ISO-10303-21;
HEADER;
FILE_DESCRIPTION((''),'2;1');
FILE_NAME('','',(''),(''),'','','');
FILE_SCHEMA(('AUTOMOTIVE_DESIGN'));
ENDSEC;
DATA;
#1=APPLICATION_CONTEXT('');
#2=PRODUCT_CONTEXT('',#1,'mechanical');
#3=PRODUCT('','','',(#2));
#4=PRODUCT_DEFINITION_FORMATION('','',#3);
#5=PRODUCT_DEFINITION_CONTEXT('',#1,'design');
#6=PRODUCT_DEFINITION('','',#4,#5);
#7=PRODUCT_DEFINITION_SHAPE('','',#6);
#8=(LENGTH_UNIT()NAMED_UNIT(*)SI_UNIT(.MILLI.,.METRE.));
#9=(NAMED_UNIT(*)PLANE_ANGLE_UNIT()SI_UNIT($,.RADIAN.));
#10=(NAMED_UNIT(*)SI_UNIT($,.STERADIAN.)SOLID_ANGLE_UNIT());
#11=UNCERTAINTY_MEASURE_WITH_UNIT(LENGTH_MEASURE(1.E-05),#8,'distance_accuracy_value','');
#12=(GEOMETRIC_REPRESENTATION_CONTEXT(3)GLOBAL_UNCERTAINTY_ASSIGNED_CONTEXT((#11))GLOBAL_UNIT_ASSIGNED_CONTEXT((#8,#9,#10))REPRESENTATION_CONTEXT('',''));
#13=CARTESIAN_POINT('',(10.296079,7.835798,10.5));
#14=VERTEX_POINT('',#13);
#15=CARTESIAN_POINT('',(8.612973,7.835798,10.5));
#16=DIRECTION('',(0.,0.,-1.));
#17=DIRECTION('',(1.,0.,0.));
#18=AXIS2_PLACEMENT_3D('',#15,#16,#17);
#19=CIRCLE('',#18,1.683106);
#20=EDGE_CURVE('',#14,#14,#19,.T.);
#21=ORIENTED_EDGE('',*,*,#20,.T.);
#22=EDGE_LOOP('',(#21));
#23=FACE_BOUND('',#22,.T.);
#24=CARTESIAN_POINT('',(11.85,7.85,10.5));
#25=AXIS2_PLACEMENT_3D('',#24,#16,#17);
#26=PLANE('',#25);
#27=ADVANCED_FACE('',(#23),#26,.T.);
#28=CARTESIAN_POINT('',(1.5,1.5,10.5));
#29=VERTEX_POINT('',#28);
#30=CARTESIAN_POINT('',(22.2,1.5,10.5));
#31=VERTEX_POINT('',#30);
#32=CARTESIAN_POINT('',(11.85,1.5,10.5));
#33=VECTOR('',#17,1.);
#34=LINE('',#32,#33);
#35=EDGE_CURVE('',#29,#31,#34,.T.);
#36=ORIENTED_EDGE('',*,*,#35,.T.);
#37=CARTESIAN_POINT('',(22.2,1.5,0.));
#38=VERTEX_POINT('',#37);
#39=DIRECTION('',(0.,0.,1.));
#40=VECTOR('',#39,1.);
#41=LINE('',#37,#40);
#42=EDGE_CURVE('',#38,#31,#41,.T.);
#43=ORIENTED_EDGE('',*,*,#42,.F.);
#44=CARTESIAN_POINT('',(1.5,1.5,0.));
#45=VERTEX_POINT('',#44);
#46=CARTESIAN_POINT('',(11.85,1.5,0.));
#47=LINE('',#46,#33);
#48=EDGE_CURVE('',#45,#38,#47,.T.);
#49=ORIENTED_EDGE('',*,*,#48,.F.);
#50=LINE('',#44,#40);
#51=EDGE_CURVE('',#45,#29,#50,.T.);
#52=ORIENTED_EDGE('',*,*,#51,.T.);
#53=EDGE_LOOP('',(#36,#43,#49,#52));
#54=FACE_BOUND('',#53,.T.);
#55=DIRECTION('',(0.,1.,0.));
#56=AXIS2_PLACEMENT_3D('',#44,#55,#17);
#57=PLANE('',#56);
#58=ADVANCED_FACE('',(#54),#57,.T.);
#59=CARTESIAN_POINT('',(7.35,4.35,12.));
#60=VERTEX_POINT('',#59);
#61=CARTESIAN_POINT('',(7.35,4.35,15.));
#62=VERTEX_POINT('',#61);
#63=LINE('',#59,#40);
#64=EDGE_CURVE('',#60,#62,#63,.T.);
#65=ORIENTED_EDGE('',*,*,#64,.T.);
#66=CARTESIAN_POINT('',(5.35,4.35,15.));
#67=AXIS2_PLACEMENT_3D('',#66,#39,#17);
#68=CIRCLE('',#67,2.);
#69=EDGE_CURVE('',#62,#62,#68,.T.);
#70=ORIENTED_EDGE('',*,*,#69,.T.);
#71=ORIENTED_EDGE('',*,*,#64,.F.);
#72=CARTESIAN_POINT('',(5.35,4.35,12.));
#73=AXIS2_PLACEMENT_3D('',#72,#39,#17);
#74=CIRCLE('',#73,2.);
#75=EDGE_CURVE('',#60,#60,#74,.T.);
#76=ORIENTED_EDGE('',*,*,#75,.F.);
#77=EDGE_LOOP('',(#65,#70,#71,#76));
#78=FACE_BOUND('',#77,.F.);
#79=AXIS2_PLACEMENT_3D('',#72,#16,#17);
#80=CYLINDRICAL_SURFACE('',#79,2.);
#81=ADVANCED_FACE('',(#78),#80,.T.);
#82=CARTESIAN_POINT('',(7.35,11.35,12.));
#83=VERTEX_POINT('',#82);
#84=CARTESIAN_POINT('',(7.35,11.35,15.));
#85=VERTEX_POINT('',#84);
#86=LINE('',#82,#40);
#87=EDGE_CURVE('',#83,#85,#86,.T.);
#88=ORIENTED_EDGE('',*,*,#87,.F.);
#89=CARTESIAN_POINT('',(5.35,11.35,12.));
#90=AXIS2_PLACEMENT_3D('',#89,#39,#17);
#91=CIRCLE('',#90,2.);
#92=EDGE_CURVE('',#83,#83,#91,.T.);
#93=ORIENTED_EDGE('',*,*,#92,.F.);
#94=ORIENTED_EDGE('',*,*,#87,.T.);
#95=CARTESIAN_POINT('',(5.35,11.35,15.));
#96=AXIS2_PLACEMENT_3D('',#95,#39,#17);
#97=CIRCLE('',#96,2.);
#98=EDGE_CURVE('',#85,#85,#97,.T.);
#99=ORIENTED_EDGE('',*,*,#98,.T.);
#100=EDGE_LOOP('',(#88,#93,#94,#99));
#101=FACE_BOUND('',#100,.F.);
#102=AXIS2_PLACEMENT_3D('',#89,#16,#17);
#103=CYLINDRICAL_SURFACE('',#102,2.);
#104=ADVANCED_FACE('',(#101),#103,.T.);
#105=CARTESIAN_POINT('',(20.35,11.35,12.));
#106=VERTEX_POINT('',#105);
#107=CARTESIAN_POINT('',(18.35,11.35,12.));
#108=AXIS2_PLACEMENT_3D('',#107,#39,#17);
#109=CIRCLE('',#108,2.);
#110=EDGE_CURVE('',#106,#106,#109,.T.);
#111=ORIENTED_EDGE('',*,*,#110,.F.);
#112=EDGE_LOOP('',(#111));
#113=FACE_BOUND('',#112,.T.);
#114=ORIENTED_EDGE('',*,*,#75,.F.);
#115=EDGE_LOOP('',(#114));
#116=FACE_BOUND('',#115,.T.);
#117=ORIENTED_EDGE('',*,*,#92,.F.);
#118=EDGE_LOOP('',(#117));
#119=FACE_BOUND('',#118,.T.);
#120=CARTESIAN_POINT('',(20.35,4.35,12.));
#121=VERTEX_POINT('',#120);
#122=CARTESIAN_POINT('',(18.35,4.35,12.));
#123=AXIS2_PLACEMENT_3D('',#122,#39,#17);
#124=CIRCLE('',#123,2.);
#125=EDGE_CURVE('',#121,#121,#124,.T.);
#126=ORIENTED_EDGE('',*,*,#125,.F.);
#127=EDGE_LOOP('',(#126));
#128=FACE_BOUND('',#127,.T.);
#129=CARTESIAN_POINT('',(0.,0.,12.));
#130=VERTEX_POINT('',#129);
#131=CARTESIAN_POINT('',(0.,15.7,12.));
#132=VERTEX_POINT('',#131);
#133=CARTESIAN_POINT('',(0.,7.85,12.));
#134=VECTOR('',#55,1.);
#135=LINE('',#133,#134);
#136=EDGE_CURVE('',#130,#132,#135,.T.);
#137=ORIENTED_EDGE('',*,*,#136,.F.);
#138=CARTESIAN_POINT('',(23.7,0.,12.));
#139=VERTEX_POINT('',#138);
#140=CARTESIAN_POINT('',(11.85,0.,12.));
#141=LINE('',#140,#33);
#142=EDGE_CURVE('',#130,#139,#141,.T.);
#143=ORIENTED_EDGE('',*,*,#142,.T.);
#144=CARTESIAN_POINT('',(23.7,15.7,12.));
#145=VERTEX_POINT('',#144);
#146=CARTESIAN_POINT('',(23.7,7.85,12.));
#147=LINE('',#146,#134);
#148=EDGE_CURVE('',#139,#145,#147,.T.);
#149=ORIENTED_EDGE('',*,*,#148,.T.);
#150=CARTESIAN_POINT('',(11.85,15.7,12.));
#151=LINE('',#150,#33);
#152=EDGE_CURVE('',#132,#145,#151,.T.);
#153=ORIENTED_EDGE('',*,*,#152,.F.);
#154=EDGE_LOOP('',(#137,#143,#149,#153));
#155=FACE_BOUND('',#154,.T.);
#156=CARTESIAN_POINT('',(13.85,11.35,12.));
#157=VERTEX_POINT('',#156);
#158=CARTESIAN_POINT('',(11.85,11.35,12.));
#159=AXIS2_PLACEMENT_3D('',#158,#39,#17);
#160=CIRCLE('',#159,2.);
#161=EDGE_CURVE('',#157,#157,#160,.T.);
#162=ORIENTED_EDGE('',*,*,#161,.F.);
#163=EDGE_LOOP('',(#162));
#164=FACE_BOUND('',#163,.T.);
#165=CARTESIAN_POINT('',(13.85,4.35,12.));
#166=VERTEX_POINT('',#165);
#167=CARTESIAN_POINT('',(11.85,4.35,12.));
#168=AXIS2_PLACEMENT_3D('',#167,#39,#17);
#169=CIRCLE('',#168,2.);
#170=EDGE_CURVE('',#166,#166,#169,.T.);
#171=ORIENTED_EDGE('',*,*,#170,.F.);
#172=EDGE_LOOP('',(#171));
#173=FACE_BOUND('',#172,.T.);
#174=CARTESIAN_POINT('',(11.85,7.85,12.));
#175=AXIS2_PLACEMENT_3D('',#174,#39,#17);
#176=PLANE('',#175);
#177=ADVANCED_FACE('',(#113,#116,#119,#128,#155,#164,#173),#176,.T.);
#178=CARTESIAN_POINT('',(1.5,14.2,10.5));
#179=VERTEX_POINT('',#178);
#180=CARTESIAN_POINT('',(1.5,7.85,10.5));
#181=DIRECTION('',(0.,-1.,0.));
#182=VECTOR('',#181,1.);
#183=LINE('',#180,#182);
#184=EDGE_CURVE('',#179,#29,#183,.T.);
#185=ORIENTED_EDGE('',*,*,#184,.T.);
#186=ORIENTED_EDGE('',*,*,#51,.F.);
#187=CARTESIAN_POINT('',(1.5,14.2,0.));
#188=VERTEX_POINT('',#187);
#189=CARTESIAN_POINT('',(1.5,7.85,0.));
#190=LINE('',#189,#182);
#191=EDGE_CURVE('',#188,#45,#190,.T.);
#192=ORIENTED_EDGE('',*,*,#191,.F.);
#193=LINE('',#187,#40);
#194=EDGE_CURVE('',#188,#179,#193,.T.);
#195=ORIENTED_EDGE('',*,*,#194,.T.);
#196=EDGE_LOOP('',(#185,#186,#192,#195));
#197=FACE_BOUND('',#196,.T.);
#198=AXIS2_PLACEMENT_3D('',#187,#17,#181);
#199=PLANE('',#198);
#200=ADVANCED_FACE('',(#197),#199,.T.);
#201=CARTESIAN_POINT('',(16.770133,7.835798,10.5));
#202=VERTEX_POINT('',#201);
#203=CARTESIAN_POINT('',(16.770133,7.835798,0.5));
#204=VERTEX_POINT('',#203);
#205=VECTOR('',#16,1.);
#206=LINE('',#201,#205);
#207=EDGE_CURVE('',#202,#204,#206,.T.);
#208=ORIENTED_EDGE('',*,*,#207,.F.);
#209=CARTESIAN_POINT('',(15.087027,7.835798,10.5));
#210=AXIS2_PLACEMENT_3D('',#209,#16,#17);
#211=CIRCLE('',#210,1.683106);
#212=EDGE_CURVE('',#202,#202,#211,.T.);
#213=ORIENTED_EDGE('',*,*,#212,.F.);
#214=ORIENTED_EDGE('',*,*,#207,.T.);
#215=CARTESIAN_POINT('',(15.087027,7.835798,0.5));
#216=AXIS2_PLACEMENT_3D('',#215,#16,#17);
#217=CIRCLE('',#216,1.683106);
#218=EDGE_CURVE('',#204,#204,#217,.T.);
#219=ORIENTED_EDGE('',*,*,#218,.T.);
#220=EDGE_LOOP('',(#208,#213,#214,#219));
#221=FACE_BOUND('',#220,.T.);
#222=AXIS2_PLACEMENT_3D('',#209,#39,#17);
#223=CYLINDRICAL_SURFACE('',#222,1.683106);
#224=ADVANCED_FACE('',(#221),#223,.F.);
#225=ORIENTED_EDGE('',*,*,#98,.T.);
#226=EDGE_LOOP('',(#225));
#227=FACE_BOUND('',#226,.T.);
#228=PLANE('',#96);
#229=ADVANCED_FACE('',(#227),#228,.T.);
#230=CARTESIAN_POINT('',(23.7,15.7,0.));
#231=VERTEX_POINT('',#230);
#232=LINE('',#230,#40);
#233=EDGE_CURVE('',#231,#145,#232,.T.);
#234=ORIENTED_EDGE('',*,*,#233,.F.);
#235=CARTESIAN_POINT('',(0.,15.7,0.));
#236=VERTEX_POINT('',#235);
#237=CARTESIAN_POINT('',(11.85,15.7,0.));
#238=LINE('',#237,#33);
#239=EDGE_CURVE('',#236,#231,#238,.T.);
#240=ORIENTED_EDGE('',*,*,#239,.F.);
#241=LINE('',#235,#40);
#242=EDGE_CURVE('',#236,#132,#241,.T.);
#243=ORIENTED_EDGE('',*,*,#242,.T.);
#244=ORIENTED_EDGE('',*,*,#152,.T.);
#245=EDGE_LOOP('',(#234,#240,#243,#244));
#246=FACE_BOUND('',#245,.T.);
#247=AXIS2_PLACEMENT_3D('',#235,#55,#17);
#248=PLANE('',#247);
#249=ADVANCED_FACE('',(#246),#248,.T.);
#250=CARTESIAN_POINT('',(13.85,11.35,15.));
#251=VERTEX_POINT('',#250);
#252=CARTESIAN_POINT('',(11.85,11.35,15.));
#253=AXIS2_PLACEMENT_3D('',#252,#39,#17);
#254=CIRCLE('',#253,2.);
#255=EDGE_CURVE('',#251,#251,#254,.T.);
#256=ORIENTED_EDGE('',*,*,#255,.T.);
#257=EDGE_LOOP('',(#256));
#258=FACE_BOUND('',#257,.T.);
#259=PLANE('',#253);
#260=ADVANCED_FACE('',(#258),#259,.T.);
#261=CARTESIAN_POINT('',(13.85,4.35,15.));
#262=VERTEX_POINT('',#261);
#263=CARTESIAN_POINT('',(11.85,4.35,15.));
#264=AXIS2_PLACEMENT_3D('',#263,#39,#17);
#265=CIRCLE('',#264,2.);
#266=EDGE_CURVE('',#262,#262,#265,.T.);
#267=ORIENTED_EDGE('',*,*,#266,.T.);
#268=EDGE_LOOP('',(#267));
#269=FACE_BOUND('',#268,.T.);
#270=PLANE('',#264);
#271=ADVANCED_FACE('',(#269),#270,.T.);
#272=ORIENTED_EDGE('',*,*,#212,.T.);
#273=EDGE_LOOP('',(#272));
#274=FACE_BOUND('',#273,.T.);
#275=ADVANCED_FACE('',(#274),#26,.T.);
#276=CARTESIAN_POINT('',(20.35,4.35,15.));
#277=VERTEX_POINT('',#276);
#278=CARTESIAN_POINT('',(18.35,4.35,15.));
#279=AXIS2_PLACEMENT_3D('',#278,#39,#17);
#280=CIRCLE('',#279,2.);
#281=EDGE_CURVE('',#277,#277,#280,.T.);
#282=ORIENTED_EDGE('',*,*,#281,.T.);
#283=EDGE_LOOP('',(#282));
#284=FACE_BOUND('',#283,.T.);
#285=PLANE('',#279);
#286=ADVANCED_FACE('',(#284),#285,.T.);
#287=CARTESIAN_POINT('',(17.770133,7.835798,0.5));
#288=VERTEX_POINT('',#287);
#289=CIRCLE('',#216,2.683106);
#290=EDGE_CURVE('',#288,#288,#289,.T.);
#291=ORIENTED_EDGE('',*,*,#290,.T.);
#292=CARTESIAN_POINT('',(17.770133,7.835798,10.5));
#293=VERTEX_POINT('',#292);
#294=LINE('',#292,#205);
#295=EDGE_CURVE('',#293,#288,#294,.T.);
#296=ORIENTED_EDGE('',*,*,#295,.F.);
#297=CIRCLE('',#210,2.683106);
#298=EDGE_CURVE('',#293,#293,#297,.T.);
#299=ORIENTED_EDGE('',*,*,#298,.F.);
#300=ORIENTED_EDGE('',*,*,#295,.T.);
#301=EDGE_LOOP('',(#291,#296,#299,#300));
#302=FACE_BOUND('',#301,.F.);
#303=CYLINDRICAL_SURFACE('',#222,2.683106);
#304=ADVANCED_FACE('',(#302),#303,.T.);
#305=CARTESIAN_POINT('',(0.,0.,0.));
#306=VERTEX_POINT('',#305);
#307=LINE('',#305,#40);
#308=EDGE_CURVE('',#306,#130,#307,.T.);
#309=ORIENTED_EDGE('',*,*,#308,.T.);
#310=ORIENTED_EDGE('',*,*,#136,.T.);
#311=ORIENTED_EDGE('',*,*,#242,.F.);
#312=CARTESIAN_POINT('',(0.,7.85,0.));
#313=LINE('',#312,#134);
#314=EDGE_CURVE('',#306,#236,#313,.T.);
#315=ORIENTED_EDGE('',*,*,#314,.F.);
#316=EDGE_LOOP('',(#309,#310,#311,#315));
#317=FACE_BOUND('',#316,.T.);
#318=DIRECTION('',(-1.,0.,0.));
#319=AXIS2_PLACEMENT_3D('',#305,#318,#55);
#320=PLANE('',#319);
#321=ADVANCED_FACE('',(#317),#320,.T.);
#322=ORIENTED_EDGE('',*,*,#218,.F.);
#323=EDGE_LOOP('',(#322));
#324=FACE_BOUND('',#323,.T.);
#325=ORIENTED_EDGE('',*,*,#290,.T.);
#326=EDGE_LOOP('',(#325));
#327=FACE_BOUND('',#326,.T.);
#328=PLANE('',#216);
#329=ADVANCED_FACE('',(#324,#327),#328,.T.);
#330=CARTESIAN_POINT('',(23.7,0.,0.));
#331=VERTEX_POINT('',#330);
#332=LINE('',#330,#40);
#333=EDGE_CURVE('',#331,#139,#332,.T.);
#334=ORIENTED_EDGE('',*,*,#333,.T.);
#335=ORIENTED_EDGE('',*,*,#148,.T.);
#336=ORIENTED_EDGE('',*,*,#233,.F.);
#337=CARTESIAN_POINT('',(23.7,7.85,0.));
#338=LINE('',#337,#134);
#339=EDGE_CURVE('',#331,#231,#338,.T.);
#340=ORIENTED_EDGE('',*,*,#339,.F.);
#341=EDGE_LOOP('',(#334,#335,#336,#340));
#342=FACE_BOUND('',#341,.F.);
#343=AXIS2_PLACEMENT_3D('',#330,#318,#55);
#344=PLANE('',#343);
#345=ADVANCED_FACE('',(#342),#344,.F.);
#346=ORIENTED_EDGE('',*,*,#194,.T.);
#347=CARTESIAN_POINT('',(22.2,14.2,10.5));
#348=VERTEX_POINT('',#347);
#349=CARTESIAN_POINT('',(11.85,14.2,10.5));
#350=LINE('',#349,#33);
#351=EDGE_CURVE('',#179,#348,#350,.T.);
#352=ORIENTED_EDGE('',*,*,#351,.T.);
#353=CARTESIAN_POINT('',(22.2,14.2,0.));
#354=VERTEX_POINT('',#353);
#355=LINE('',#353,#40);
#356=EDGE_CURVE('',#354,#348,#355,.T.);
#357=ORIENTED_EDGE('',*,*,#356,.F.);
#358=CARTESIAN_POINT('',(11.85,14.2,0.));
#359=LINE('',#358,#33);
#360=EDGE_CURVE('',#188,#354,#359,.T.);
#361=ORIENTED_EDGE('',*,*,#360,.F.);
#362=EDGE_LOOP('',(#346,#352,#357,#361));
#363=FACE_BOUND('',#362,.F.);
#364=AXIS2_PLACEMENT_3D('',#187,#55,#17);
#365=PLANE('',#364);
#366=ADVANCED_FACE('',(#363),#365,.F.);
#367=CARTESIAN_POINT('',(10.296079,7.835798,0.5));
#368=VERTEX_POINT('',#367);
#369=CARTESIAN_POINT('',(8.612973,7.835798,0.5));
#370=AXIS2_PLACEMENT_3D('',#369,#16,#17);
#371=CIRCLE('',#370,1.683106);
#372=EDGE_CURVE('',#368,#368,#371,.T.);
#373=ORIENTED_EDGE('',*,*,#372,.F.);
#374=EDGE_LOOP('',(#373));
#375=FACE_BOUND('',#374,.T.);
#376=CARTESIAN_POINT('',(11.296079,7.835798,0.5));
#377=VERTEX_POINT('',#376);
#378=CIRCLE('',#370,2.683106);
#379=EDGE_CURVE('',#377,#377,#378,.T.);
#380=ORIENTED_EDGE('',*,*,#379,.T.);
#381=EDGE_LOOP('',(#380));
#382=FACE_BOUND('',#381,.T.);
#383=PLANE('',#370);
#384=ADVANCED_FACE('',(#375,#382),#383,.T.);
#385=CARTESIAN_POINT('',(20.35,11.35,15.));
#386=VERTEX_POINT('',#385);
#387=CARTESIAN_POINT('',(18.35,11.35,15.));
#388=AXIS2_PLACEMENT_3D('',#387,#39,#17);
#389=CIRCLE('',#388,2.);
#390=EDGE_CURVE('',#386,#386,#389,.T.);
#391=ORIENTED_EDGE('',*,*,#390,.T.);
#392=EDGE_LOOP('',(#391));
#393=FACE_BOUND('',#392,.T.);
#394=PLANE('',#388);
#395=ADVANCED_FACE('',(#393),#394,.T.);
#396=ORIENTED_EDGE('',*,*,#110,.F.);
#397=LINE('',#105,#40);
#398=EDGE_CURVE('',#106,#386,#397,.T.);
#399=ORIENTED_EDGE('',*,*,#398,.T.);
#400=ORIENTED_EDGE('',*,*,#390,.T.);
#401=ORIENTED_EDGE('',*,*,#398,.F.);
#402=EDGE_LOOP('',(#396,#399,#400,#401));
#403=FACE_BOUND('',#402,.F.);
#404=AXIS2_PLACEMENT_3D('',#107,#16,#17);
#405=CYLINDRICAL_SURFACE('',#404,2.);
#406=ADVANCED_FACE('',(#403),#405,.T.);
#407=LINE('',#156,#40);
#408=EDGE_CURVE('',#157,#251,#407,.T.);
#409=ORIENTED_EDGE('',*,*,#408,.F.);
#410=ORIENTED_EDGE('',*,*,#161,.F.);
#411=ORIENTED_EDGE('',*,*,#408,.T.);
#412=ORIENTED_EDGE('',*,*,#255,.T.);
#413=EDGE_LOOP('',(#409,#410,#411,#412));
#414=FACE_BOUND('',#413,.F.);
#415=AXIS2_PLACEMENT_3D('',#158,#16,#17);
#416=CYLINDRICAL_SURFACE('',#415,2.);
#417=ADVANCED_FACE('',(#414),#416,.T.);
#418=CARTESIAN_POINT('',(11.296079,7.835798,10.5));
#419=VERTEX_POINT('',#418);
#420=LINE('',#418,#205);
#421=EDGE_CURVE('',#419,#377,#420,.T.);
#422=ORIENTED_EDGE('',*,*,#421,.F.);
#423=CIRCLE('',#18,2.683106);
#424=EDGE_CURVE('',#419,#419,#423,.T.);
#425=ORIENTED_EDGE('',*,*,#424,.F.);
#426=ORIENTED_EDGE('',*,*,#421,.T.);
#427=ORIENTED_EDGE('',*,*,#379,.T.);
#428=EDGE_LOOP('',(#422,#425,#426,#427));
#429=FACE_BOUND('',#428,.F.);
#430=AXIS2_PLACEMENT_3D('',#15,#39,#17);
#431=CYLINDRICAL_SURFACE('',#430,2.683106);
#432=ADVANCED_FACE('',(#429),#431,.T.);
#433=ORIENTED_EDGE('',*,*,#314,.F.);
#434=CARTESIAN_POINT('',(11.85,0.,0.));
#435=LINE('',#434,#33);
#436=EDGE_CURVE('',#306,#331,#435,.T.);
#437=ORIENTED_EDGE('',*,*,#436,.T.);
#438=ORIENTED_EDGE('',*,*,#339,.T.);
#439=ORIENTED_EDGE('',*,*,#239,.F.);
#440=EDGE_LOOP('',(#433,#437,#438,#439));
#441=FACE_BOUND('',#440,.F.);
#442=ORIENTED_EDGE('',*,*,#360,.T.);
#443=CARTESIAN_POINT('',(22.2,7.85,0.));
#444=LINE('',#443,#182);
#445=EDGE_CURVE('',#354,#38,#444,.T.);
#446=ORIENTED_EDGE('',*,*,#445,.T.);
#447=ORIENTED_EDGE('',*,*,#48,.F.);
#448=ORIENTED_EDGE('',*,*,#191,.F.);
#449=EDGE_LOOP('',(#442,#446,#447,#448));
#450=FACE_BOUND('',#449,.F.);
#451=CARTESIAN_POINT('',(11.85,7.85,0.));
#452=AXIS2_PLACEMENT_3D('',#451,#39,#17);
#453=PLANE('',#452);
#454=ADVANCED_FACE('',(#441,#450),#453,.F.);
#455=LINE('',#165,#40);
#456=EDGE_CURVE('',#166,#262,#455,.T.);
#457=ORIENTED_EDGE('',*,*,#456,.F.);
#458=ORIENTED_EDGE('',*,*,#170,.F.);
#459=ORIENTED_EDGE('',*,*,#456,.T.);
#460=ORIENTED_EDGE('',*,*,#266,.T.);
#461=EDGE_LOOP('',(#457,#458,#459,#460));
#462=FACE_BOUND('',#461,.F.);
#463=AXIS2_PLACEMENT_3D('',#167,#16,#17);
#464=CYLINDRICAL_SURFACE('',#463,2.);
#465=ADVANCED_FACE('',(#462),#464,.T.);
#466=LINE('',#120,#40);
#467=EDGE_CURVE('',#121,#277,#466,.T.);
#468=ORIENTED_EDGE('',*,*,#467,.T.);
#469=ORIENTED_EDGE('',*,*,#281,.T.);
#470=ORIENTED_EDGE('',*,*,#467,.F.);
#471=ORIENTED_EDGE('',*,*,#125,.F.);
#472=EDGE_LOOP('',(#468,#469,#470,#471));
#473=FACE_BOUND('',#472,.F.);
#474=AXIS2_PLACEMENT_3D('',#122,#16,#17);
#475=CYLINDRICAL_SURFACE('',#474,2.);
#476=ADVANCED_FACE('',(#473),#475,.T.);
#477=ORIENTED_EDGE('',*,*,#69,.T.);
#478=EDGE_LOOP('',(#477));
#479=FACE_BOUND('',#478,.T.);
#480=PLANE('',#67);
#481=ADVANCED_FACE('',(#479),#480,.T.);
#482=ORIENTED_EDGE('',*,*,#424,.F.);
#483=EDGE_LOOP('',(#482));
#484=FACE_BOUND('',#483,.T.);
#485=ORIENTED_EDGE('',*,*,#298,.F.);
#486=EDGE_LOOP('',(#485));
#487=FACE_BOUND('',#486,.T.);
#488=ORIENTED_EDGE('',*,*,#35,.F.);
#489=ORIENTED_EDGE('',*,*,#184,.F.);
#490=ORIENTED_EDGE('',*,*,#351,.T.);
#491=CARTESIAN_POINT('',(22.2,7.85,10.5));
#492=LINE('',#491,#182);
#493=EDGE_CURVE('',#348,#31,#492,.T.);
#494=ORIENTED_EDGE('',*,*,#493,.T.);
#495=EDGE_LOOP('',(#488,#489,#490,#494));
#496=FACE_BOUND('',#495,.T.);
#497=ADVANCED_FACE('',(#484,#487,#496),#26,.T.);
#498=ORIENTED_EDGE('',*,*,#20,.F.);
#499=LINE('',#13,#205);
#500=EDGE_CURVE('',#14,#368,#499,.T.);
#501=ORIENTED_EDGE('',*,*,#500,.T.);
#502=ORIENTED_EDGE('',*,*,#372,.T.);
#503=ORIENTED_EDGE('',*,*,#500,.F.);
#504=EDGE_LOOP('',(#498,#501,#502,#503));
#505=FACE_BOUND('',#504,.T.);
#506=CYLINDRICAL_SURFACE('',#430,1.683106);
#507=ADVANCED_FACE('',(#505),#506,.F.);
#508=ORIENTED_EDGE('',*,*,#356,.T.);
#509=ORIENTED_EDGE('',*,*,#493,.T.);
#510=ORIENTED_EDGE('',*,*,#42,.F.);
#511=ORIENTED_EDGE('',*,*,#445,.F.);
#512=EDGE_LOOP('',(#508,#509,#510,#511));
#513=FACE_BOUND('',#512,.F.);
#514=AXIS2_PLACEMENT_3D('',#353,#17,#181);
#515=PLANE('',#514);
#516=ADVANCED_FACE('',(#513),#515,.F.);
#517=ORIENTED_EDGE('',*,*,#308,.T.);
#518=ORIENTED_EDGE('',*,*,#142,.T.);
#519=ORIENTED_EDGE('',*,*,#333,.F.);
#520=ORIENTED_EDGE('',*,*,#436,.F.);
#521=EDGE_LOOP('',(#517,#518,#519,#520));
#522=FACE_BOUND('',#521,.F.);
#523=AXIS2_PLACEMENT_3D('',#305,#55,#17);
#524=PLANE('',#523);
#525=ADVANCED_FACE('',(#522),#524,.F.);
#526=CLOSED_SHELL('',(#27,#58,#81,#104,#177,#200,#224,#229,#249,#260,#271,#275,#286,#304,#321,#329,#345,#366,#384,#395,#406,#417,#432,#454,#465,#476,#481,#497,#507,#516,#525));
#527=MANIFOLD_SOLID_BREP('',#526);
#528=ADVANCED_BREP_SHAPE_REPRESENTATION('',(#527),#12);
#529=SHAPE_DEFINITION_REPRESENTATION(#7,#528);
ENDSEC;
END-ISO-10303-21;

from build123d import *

# Parameters (mm, degrees)
F0_W     = 23.7
F0_H     = 15.7
F1_DEPTH = 12
F2_R     = 2
F3_DEPTH = 3
F4_W     = 20.7
F4_H     = 12.7
F5_DEPTH = 10.5
F6_R     = 2.683106
F6_R_2   = 1.683106
F7_DEPTH = 10


with BuildPart() as f1:
    # F0 (on Top) → F1 (new body)
    with BuildSketch(Plane.XY):
        with Locations((11.85, 7.85)):
            Rectangle(F0_W, F0_H)
    extrude(amount=F1_DEPTH)

    # F2 (on face) → F3 (join)
    with BuildSketch(Plane.XY.offset(12)):
        with Locations((5.35, 11.35)):
            Circle(F2_R)
        with Locations((11.85, 11.35)):
            Circle(F2_R)
        with Locations((18.35, 11.35)):
            Circle(F2_R)
        with Locations((5.35, 4.35)):
            Circle(F2_R)
        with Locations((11.85, 4.35)):
            Circle(F2_R)
        with Locations((18.35, 4.35)):
            Circle(F2_R)
    extrude(amount=F3_DEPTH)

    # F4 (on face) → F5 (cut)
    with BuildSketch(Plane(origin=(0, 0, 0), x_dir=(1, 0, 0), z_dir=(0, 0, -1))):
        with Locations((11.85, -7.85)):
            Rectangle(F4_W, F4_H)
    extrude(amount=-F5_DEPTH, mode=Mode.SUBTRACT)

    # F6 (on face) → F7 (join)
    with BuildSketch(Plane(origin=(0, 0, 10.5), x_dir=(1, 0, 0), z_dir=(0, 0, -1))):
        with Locations((8.612973, -7.835798)):
            Circle(F6_R)
        with Locations((8.612973, -7.835798)):
            Circle(F6_R_2, mode=Mode.SUBTRACT)
        with Locations((15.087027, -7.835798)):
            Circle(F6_R)
        with Locations((15.087027, -7.835798)):
            Circle(F6_R_2, mode=Mode.SUBTRACT)
    extrude(amount=F7_DEPTH)


solid = f1.part
